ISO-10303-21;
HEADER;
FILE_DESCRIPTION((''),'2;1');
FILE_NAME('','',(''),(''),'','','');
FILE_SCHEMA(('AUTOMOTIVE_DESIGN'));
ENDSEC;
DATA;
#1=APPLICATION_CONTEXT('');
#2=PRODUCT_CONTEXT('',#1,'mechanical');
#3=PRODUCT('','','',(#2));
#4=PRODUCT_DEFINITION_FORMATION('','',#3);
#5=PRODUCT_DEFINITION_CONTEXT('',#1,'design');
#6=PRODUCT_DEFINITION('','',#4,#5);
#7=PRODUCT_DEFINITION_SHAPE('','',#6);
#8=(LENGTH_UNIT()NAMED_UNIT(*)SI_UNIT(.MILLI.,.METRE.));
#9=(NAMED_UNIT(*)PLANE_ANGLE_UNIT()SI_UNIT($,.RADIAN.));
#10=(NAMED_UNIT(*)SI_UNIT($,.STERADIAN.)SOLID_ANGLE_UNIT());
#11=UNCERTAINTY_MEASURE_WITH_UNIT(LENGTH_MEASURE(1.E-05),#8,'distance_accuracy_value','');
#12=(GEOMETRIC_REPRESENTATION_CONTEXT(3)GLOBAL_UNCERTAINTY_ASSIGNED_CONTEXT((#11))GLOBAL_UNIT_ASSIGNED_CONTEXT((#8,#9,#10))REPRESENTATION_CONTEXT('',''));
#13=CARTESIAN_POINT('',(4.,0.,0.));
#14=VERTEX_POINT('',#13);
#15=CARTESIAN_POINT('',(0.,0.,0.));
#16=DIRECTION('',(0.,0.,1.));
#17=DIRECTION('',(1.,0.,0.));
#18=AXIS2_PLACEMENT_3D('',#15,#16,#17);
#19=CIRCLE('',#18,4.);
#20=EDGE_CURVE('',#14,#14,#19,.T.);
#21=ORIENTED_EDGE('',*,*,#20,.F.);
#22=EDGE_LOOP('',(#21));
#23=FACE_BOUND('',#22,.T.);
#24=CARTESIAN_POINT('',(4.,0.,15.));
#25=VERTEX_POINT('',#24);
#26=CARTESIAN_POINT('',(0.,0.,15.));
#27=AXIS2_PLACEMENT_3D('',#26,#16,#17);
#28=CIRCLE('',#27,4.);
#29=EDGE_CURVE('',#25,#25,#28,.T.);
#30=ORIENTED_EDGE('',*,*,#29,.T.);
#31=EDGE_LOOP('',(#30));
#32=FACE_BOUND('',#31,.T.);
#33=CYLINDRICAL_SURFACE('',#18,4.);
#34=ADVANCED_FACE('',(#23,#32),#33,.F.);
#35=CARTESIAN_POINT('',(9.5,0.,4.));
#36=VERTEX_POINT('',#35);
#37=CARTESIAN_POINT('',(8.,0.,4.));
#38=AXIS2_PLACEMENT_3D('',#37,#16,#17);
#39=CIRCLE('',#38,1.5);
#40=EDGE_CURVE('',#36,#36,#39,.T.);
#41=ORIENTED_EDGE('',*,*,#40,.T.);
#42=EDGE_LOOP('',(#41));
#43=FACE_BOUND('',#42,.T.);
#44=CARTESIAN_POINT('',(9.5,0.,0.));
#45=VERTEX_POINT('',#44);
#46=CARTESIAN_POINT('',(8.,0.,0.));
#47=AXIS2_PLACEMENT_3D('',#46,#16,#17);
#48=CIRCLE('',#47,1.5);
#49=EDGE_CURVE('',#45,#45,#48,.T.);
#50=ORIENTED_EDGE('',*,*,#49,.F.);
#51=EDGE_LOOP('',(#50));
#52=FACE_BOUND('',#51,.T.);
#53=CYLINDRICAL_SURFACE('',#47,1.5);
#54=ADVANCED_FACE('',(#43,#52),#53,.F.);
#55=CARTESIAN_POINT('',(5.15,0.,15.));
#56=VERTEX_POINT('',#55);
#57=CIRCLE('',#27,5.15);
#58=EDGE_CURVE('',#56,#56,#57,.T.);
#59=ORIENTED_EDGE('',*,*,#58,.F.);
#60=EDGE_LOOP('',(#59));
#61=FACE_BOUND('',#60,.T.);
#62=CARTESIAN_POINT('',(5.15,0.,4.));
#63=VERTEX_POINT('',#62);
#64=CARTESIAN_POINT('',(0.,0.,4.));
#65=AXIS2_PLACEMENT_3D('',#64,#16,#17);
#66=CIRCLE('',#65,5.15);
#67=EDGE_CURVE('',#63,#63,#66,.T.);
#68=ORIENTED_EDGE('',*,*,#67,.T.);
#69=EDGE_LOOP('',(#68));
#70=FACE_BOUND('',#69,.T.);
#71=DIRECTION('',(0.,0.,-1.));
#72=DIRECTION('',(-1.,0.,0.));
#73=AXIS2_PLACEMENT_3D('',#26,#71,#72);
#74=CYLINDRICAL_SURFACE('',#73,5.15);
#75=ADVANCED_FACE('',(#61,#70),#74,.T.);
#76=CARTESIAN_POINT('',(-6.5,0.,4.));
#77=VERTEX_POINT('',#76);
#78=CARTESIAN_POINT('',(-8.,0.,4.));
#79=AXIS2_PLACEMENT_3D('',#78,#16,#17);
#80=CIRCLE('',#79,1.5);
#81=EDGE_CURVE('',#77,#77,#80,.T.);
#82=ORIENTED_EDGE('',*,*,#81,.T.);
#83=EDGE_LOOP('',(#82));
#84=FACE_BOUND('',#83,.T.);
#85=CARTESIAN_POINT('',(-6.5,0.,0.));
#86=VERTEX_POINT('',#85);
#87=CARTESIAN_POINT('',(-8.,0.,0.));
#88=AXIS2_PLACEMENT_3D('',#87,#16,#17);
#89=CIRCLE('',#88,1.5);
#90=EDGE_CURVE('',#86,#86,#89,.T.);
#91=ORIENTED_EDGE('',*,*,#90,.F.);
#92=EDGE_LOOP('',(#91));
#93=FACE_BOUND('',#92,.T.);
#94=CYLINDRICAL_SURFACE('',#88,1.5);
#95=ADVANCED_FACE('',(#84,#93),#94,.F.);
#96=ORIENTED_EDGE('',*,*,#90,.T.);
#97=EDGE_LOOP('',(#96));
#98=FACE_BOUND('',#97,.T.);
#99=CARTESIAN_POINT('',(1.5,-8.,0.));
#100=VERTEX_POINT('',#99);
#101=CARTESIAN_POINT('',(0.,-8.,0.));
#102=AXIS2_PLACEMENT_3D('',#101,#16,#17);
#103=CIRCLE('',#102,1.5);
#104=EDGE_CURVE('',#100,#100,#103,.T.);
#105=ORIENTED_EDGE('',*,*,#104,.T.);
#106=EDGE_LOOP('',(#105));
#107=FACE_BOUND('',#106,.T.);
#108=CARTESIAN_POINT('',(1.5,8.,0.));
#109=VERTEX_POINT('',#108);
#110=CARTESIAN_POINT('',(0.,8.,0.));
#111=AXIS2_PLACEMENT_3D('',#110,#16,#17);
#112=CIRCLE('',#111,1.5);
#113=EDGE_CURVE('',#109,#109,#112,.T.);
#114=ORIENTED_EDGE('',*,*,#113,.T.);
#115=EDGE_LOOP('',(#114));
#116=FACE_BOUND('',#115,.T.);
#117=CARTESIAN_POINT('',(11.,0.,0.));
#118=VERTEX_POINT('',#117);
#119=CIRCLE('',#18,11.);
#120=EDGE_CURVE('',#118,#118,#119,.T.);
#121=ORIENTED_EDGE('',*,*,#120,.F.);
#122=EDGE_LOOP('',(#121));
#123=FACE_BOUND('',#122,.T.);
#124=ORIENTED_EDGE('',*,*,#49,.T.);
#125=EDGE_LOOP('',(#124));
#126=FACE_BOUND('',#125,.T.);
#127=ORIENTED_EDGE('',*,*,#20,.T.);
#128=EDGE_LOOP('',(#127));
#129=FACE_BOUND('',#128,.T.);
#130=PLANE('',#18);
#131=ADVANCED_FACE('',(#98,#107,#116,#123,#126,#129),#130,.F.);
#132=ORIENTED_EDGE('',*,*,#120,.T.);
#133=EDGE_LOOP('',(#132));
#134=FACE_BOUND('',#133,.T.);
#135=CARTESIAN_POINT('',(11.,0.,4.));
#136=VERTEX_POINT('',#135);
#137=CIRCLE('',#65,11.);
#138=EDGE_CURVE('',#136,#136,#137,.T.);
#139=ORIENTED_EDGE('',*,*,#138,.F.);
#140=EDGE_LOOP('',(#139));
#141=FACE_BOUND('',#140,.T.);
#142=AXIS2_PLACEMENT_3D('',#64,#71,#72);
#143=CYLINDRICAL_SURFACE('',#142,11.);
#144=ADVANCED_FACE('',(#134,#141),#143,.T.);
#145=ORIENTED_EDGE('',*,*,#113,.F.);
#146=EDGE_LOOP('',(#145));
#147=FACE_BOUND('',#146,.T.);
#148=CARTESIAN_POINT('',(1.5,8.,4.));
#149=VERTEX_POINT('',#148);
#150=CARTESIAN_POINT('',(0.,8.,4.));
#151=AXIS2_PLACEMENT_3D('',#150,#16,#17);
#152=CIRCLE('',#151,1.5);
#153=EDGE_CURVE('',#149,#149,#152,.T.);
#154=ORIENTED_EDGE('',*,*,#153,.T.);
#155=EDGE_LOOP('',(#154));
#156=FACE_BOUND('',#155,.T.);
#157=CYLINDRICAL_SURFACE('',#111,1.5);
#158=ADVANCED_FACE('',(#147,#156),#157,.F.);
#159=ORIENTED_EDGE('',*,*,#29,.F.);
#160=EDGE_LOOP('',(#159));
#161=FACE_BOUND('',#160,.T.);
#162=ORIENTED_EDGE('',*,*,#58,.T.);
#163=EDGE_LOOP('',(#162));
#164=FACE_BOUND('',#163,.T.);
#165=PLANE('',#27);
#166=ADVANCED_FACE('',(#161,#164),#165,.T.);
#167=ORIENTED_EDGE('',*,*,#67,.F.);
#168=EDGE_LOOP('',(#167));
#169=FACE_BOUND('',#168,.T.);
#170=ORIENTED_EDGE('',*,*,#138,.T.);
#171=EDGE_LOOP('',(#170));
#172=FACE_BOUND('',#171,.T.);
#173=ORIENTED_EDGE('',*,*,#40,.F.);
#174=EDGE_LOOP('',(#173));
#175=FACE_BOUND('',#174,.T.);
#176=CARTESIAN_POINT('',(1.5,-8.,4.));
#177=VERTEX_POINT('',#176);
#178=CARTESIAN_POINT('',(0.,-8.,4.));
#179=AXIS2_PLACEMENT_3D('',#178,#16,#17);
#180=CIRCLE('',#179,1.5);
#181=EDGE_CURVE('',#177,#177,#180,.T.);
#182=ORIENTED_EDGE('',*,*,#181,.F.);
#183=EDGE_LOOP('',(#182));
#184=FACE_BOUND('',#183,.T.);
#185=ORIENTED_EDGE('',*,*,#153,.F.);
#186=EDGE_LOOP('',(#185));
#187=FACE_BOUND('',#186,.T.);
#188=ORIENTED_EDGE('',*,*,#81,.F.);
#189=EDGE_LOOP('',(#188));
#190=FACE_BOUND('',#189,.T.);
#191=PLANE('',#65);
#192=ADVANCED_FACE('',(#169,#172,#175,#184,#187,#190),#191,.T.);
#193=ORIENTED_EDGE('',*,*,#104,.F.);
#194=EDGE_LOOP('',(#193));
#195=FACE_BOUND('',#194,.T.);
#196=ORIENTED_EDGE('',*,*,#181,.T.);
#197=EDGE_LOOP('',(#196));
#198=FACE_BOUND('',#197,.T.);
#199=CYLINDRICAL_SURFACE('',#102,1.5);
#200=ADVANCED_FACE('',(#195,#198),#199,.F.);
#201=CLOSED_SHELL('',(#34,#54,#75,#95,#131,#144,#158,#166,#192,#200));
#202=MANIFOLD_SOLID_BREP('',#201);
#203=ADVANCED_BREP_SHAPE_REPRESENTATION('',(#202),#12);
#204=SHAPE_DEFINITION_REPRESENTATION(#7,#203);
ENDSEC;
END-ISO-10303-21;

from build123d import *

# Parameters (mm, degrees)
SKETCH1_R           = 11
BOSS_EXTRUDE1_DEPTH = 4
SKETCH2_R           = 5.15
BOSS_EXTRUDE2_DEPTH = 11
SKETCH3_R           = 4
CUT_EXTRUDE1_DEPTH  = 16
SKETCH4_R           = 1.5
CUT_EXTRUDE2_DEPTH  = 5


with BuildPart() as part:
    # Sketch1 → Boss-Extrude1 (new body)
    with BuildSketch(Plane.XY):
        Circle(SKETCH1_R)
    extrude(amount=BOSS_EXTRUDE1_DEPTH)

    # Sketch2 → Boss-Extrude2 (add)
    with BuildSketch(Plane.XY.offset(4)):
        Circle(SKETCH2_R)
    extrude(amount=BOSS_EXTRUDE2_DEPTH)

    # Sketch3 → Cut-Extrude1 (cut, through all)
    with BuildSketch(Plane.XY.offset(15)):
        Circle(SKETCH3_R)
    extrude(amount=-CUT_EXTRUDE1_DEPTH, mode=Mode.SUBTRACT)

    # Sketch4 → Cut-Extrude2 (cut, through all)
    with BuildSketch(Plane.XY.offset(4)):
        with Locations((0, 8)):
            Circle(SKETCH4_R)
        with Locations((8, 0)):
            Circle(SKETCH4_R)
        with Locations((0, -8)):
            Circle(SKETCH4_R)
        with Locations((-8, 0)):
            Circle(SKETCH4_R)
    extrude(amount=-CUT_EXTRUDE2_DEPTH, mode=Mode.SUBTRACT)


solid = part.part
